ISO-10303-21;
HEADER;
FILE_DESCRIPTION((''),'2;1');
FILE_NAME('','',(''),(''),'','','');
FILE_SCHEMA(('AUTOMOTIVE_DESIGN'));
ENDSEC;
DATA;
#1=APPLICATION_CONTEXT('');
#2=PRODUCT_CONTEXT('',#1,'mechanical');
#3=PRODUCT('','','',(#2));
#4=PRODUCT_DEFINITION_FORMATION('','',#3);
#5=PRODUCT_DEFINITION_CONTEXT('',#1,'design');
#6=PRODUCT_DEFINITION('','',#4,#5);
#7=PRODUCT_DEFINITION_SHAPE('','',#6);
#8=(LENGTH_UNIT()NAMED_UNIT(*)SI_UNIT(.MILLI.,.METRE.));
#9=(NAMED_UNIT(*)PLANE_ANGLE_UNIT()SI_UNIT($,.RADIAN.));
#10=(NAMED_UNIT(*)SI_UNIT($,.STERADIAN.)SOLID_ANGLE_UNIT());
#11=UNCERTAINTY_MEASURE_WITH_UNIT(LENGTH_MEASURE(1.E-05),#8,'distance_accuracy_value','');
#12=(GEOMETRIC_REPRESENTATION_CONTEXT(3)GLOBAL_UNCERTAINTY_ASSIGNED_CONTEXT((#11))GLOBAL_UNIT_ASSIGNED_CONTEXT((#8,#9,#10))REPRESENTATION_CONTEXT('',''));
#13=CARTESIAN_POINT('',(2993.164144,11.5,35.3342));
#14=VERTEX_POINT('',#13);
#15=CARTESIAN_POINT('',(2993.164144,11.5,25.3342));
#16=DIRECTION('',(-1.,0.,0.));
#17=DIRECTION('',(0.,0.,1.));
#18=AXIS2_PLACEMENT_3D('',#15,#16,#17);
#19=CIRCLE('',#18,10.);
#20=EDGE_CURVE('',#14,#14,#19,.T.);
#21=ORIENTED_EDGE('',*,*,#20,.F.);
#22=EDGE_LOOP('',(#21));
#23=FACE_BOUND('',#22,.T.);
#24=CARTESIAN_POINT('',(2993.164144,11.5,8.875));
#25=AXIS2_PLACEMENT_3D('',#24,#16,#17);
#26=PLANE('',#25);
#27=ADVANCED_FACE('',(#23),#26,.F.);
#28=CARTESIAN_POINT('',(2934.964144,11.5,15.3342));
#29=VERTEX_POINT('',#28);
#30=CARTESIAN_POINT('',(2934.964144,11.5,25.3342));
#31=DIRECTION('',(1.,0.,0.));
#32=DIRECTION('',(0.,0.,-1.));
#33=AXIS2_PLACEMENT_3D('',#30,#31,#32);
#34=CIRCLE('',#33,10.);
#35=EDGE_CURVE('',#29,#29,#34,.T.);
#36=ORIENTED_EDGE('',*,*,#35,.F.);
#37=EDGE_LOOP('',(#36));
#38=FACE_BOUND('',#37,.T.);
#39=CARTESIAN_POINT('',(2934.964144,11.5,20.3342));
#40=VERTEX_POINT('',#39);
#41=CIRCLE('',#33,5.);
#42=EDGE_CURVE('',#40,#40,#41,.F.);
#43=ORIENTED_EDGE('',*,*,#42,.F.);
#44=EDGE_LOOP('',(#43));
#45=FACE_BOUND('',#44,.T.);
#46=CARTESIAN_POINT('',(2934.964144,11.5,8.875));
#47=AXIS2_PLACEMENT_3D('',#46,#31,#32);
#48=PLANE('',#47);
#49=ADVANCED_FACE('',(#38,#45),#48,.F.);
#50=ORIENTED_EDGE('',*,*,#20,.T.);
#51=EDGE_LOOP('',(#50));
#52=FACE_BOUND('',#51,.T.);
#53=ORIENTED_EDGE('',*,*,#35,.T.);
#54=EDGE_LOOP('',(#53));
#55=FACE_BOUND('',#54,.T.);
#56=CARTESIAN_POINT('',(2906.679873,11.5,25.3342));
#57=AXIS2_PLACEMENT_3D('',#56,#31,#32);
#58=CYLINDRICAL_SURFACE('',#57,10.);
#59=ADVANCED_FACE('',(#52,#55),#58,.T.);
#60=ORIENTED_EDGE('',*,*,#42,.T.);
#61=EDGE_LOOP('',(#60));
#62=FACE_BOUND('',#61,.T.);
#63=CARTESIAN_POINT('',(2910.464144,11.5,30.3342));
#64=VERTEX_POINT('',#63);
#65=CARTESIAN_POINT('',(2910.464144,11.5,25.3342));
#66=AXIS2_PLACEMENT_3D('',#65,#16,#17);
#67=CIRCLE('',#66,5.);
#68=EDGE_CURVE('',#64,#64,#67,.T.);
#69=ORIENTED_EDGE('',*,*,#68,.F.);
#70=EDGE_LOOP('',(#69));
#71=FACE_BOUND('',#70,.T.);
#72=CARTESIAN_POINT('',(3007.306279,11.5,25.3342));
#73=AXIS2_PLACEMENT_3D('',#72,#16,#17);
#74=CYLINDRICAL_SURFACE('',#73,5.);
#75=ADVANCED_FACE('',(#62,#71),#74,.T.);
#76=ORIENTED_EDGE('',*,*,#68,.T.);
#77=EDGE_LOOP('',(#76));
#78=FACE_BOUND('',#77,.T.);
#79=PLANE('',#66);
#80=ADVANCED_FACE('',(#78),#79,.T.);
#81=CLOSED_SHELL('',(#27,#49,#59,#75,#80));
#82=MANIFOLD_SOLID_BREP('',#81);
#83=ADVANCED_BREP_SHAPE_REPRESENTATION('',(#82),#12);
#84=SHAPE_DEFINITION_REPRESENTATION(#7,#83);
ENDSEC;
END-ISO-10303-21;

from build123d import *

# Parameters (mm, degrees)
SKETCH3_R           = 5
BASE_EXTRUDE_DEPTH  = 82.7
SKETCH4_R           = 10
BOSS_EXTRUDE1_DEPTH = 58.2


with BuildPart() as part:
    # Sketch3 → Base-Extrude (new body)
    with BuildSketch(Plane.ZY.offset(-2910.464143831)):
        with Locations((25.3342, 11.5)):
            Circle(SKETCH3_R)
    extrude(amount=-BASE_EXTRUDE_DEPTH)

    # Sketch4 → Boss-Extrude1 (add)
    with BuildSketch(Plane.ZY.offset(-2993.164143831)):
        with Locations(Location((25.3342, 11.5, 0), (0, 0, 180))):
            Circle(SKETCH4_R)
    extrude(amount=BOSS_EXTRUDE1_DEPTH)


solid = part.part
